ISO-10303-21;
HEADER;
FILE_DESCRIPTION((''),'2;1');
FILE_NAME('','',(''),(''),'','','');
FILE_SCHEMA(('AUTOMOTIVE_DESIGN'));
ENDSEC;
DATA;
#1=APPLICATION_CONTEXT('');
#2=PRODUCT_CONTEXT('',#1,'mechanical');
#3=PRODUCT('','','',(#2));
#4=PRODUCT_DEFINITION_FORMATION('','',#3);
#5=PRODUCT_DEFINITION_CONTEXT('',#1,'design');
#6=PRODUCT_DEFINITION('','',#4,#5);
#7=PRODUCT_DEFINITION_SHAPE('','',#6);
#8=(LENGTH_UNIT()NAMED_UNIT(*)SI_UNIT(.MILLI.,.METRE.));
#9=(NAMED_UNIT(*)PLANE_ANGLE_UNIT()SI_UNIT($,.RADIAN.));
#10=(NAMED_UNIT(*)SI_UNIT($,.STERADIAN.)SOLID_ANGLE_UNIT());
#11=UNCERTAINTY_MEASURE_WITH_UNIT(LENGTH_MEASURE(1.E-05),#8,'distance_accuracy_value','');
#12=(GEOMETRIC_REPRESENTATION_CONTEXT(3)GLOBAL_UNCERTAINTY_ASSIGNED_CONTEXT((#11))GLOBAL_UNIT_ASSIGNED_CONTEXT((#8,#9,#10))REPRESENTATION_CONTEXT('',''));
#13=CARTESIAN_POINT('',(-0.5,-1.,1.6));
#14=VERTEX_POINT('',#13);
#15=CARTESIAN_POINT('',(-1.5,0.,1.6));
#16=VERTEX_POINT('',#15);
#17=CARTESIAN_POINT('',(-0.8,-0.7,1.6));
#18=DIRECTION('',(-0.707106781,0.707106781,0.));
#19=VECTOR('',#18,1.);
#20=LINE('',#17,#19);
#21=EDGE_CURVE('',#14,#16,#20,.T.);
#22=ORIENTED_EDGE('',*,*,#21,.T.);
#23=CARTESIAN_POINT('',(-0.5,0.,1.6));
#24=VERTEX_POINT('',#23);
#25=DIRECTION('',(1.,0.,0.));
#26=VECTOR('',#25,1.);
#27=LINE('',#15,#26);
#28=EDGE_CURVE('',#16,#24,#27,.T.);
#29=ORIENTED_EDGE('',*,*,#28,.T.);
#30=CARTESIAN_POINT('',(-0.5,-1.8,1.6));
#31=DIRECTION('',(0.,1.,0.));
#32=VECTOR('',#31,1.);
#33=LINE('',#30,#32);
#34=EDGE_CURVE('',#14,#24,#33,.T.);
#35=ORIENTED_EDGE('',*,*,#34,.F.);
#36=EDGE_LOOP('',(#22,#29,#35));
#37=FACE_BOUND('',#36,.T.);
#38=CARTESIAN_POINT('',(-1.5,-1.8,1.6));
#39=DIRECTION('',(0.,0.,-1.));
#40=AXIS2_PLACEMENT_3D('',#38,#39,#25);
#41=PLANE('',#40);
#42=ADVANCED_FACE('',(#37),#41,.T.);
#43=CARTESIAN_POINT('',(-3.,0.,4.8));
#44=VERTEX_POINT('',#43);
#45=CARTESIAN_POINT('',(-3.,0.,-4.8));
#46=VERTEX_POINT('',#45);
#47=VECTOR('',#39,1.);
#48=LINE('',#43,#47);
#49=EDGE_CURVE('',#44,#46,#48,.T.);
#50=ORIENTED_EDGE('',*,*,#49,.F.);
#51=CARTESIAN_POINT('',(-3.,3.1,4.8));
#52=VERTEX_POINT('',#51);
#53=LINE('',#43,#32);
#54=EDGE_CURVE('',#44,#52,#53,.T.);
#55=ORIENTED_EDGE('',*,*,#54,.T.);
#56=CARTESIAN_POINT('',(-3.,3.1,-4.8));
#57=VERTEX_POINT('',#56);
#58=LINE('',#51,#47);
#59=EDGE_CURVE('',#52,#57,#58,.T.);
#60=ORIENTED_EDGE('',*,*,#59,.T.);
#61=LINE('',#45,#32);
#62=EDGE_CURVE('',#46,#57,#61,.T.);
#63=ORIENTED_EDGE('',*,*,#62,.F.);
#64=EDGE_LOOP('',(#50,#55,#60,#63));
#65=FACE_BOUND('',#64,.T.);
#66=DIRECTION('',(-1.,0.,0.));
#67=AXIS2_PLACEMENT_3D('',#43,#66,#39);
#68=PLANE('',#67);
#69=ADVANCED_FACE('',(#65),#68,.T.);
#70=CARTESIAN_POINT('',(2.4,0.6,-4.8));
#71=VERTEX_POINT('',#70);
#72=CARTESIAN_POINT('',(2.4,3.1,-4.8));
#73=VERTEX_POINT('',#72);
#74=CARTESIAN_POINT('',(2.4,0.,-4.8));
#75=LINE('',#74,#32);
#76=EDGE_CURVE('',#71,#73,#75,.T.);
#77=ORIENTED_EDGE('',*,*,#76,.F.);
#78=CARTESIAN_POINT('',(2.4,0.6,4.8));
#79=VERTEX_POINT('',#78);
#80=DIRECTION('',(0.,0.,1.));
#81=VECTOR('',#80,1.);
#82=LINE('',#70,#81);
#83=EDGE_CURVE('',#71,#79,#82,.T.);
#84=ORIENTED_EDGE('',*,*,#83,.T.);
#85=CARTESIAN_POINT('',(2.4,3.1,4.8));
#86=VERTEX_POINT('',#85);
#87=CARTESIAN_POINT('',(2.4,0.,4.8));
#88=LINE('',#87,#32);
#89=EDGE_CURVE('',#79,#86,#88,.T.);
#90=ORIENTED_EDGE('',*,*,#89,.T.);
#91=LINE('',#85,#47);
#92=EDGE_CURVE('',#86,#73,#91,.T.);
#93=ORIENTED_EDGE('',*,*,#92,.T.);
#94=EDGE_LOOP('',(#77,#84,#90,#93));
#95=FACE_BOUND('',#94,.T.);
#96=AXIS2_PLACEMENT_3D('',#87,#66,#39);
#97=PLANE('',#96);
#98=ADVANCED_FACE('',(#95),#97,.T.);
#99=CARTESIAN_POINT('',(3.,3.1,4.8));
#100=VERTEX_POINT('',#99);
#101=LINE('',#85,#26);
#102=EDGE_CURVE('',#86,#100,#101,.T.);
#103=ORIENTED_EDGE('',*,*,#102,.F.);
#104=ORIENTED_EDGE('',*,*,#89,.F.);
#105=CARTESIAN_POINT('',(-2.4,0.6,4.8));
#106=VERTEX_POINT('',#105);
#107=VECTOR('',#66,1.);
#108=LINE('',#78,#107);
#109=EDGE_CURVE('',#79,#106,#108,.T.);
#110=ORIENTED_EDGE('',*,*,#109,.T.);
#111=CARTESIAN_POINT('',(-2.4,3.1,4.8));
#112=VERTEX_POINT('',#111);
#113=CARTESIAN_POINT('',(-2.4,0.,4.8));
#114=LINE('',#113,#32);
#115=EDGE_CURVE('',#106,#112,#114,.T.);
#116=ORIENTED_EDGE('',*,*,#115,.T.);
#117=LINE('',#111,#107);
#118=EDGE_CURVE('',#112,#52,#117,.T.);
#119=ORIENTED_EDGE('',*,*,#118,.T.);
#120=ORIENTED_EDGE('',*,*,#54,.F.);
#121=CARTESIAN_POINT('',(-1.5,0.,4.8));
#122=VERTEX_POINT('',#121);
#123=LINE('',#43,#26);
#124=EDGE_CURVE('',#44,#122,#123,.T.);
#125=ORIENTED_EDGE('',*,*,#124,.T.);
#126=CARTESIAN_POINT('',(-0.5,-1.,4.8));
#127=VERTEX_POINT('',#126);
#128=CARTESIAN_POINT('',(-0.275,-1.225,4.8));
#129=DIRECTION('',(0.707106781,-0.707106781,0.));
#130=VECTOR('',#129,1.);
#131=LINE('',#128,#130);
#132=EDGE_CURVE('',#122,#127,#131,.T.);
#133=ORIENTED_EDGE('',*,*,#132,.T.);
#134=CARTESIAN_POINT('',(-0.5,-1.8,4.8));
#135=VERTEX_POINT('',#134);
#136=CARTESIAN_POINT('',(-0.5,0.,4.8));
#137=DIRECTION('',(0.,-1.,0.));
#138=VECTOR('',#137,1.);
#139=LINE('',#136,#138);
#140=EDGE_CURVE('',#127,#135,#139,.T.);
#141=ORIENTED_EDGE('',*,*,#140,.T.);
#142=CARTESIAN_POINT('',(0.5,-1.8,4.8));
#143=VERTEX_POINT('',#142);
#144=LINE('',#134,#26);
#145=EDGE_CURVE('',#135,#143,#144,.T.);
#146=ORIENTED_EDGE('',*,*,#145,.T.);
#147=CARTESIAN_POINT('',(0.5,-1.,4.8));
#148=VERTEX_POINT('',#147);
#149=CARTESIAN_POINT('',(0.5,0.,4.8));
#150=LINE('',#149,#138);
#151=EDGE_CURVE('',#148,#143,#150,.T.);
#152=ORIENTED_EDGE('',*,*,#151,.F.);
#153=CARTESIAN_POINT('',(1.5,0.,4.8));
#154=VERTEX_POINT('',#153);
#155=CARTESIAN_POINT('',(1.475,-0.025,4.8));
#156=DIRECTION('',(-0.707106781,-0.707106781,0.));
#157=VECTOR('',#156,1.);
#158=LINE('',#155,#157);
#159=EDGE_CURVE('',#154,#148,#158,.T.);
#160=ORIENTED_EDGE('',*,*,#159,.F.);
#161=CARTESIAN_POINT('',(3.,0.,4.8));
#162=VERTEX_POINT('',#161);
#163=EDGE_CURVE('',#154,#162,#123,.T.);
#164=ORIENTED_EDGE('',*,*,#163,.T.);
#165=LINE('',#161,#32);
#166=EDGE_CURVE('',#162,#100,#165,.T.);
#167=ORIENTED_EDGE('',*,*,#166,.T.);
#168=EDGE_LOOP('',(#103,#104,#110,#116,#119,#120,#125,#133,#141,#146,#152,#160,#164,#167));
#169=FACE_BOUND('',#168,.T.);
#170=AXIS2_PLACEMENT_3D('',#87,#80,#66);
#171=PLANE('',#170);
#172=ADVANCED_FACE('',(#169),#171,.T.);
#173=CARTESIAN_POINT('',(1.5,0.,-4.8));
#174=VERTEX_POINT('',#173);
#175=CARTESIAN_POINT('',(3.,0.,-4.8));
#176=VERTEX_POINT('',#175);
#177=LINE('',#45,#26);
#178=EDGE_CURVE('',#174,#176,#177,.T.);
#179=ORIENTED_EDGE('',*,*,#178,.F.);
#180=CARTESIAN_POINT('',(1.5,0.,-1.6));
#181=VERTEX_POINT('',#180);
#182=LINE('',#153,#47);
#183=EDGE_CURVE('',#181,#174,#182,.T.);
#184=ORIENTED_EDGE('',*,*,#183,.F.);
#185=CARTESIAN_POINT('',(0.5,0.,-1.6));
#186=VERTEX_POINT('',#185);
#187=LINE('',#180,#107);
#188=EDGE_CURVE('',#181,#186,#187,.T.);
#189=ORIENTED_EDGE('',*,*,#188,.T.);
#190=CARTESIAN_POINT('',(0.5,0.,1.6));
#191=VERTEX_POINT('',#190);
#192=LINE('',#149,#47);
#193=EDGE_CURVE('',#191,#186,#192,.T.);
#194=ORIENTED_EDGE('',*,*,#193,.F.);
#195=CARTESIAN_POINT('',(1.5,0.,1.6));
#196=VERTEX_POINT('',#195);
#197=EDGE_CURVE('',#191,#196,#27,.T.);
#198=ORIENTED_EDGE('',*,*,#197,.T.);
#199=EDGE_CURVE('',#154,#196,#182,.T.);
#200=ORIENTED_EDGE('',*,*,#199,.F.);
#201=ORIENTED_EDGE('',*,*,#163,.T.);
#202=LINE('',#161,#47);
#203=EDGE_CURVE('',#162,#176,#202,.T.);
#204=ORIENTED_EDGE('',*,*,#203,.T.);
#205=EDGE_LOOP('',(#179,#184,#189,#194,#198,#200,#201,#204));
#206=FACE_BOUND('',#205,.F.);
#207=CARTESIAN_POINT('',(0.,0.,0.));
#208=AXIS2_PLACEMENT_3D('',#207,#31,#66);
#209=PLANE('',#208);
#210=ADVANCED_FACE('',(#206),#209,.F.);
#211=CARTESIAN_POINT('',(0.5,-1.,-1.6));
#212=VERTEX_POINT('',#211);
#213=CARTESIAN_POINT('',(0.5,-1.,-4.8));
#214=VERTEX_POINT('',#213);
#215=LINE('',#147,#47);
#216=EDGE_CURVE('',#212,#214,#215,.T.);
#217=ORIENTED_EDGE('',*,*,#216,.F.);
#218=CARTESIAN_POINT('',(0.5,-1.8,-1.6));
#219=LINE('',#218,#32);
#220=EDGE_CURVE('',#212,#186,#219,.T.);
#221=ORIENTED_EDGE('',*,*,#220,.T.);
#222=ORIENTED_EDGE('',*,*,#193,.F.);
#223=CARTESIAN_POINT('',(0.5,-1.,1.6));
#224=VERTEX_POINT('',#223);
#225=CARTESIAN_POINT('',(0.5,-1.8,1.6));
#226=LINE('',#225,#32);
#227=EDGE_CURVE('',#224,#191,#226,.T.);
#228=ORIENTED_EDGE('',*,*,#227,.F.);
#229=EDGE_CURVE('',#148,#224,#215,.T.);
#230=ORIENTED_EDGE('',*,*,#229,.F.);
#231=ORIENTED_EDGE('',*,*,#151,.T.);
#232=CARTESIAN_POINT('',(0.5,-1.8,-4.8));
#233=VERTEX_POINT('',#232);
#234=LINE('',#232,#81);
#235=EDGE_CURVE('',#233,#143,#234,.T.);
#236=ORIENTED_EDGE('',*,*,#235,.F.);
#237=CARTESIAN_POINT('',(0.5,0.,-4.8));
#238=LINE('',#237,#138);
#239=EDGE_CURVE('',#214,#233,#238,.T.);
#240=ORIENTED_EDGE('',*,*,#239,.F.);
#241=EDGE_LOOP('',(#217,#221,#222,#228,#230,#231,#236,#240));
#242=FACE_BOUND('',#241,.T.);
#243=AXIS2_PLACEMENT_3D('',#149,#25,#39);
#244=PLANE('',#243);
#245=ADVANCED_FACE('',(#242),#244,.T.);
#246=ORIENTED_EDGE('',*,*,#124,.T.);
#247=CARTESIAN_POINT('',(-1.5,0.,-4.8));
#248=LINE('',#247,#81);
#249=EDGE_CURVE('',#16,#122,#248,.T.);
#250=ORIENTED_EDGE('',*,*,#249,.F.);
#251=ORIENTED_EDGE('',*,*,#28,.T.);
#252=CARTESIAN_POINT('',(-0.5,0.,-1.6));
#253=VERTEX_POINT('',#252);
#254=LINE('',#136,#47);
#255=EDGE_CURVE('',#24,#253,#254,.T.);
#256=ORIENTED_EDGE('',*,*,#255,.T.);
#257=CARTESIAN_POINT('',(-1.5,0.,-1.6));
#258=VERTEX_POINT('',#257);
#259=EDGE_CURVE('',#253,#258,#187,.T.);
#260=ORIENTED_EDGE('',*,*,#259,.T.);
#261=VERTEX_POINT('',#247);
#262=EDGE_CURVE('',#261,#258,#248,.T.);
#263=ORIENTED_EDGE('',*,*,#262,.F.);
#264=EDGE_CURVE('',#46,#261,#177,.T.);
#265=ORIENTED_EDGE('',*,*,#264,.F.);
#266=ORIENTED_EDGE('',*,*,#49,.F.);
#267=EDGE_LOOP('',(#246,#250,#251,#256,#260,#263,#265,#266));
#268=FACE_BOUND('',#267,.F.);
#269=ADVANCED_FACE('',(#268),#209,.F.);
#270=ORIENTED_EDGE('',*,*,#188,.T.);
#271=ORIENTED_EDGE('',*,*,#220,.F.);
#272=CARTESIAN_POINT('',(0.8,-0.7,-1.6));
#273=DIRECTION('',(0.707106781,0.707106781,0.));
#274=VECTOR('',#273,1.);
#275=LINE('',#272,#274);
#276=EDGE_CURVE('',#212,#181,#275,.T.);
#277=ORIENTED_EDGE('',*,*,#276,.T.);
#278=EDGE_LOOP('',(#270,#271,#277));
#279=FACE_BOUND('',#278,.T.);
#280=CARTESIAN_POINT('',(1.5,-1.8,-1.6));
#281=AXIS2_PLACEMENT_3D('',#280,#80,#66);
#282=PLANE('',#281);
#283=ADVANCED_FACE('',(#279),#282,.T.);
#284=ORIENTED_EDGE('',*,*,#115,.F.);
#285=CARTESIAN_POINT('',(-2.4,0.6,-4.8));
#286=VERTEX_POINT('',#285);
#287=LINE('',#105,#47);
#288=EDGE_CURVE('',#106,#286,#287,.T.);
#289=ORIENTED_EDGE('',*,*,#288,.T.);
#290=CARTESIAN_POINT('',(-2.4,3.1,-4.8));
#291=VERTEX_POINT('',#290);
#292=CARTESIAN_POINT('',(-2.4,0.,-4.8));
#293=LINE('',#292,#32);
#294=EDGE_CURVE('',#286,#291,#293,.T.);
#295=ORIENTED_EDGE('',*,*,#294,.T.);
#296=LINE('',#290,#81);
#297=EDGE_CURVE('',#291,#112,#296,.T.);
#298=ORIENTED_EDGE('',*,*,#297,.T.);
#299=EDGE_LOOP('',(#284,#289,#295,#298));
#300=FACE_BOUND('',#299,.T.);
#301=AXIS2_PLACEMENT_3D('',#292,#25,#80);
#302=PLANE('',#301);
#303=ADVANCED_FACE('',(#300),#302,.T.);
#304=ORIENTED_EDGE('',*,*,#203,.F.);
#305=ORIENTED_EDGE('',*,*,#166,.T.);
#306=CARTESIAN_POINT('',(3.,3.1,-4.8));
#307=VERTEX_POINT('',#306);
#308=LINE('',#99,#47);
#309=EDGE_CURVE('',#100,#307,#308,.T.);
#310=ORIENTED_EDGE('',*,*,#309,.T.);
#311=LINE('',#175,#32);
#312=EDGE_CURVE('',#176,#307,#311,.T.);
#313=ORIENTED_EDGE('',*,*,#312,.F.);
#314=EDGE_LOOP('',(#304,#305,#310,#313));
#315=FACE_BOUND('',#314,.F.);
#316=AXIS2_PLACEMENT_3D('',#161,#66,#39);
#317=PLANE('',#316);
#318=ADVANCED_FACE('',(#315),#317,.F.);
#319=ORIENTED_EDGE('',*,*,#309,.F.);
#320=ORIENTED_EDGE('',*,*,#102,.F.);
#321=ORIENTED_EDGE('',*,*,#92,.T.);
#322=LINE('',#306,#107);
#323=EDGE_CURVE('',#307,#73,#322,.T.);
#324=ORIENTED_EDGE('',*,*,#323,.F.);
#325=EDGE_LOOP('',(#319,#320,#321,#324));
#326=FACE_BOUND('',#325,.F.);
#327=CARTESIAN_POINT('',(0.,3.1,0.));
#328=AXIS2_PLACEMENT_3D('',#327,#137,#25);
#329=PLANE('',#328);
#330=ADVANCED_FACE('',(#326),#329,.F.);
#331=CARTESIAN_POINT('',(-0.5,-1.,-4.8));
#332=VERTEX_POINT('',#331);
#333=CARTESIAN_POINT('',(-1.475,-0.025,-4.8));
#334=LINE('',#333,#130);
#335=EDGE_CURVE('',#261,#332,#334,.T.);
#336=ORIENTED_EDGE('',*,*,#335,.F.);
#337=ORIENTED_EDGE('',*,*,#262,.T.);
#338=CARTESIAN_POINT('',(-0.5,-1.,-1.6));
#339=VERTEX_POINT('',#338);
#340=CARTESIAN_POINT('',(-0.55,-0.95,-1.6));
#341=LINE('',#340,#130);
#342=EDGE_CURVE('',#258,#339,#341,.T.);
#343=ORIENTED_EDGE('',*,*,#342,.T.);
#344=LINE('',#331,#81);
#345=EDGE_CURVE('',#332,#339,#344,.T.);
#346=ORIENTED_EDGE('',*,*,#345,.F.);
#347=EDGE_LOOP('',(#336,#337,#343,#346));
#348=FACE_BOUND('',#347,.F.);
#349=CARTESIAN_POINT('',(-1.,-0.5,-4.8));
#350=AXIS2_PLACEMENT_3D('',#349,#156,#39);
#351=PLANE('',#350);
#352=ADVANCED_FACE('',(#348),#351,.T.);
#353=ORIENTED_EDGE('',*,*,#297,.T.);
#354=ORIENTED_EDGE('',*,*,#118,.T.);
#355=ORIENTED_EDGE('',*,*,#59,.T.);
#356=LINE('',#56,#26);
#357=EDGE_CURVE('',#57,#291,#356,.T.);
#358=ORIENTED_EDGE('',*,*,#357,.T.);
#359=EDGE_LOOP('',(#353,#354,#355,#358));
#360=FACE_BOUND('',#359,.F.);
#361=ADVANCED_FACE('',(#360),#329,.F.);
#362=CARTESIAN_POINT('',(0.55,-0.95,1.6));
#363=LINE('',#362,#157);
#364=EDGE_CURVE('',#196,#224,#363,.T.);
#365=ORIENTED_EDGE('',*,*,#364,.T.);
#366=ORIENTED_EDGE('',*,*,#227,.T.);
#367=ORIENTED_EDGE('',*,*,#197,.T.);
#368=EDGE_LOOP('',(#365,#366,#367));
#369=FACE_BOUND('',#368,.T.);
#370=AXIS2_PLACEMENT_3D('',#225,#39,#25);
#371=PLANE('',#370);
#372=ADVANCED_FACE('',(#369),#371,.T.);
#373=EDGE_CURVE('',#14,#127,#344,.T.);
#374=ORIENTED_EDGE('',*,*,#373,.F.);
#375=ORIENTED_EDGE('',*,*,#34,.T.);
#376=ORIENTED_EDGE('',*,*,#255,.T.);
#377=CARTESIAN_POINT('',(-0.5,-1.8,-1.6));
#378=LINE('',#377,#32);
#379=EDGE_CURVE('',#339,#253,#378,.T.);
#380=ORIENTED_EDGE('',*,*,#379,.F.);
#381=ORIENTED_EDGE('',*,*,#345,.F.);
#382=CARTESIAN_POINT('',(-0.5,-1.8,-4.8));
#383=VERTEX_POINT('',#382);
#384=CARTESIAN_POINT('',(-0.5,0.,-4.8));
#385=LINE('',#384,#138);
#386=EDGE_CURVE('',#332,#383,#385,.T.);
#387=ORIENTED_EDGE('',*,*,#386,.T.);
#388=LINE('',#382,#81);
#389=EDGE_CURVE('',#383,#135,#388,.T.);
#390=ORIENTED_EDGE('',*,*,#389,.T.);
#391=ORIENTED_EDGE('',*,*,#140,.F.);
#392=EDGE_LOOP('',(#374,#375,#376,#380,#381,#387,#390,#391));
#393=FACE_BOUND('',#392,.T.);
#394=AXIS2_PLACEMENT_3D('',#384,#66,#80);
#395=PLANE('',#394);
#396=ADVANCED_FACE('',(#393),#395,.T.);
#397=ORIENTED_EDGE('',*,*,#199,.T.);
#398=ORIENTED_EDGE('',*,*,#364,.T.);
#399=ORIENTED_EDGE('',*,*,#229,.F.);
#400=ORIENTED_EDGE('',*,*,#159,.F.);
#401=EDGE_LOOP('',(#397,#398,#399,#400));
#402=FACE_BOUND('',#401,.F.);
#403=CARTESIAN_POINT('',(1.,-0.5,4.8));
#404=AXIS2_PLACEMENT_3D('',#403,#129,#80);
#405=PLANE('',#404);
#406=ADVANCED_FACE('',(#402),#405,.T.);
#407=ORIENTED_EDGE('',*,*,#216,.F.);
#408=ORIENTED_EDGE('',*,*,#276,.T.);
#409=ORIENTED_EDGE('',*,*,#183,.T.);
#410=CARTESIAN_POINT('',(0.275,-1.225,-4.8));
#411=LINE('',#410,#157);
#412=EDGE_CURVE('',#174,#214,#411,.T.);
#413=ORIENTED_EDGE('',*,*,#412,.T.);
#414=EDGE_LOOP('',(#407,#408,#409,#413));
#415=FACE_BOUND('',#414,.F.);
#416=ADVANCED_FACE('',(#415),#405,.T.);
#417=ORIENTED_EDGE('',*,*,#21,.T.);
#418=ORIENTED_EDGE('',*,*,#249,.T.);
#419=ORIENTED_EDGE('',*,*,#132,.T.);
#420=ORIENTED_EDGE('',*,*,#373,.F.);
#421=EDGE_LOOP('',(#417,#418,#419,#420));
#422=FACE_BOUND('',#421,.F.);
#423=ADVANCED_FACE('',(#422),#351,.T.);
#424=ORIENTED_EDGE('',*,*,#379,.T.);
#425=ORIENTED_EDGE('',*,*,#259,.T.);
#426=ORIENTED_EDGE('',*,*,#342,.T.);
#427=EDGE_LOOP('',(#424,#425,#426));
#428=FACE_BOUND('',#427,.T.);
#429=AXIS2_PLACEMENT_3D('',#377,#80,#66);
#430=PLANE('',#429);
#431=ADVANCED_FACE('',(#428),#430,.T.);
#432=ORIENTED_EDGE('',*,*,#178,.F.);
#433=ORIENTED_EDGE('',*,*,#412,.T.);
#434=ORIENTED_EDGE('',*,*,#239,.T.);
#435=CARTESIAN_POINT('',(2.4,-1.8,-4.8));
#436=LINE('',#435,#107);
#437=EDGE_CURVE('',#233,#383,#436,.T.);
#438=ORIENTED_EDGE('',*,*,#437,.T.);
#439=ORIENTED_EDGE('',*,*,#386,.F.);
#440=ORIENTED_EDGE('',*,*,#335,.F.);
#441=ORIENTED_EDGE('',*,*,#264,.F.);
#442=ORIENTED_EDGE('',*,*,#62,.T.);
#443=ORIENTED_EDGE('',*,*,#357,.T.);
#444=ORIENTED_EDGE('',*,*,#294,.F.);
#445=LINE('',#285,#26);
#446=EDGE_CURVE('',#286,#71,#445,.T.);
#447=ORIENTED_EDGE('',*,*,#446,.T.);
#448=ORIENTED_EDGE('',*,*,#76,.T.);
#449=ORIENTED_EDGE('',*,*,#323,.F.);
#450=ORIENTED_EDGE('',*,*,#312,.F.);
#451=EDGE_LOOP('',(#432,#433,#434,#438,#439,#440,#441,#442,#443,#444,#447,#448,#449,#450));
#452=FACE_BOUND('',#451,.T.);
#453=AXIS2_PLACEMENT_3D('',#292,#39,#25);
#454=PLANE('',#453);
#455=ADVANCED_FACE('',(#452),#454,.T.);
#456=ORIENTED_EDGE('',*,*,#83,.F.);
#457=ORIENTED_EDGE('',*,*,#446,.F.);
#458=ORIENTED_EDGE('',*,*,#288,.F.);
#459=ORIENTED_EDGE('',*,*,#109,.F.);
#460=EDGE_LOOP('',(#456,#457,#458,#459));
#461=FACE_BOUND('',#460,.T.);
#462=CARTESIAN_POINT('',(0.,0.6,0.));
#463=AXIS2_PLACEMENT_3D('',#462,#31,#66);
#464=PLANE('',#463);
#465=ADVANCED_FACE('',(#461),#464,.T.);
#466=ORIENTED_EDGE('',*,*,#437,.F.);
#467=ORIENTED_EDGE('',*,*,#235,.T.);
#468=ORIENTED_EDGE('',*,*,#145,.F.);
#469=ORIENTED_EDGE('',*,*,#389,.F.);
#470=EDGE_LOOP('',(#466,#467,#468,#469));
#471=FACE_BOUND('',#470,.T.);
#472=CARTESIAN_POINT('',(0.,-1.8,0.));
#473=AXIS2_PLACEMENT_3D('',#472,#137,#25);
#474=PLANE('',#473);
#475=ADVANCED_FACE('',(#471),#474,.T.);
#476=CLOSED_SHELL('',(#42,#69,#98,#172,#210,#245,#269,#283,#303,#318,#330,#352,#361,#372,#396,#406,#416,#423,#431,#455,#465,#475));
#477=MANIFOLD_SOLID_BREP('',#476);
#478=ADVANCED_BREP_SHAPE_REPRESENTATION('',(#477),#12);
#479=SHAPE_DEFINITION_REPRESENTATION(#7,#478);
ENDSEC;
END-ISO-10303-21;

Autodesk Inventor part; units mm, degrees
ref_plane "YZ Plane" through (0, 0, 0) normal (1, 0, 0) x (0, 1, 0)
ref_plane "XZ Plane" through (0, 0, 0) normal (0, 1, 0) x (-1, 0, 0)
ref_plane "XY Plane" through (0, 0, 0) normal (0, 0, 1) x (1, 0, 0)
sketch "스케치1" plane through (0, 0, 0) normal (0, 1, 0) x (-1, 0, 0)
  line L0 (-2.4, 4.8) -> (2.4, 4.8)
  line L1 (2.4, 4.8) -> (2.4, -4.8)
  line L2 (2.4, -4.8) -> (-2.4, -4.8)
  line L3 (-2.4, -4.8) -> (-2.4, 4.8)
  line L4 (-2.4, 4.8) -> (2.4, -4.8) construction
  line L5 (2.4, 4.8) -> (-2.4, -4.8) construction
  point P0 (0, 0)
  dimension "d0" = 4.8
  dimension "d1" = 9.6
extrude "돌출1" add sketch "스케치1" along normal blind 0.6
sketch "스케치2" plane through (0, 0, 0) normal (0, -1, 0) x (1, 0, 0)
  line L0 (2.4, -4.8) -> (-2.4, -4.8) projected
  line L1 (2.4, 4.8) -> (2.4, -4.8) projected
  line L2 (-2.4, 4.8) -> (2.4, 4.8) projected
  line L3 (-2.4, -4.8) -> (-2.4, 4.8) projected
  line L4 (2.4, 4.8) -> (3, 4.8)
  line L5 (3, 4.8) -> (3, -4.8)
  line L6 (3, -4.8) -> (2.4, -4.8)
  line L7 (2.4, -4.8) -> (2.4, 4.8)
  line L8 (-2.4, -4.8) -> (-2.4, 4.8) projected
  line L9 (-2.4, 4.8) -> (-3, 4.8)
  line L10 (-3, 4.8) -> (-3, -4.8)
  line L11 (-3, -4.8) -> (-2.4, -4.8)
  line L12 (-2.4, -4.8) -> (-2.4, 4.8)
  point P0 (0, 0)
  dimension "d4" = 0.6
  dimension "d5" = 0.6
extrude "돌출2" add sketch "스케치2" against normal blind 3.1 contours L1 L4 L5 L6 | L11 L10 L9 L3
sketch "스케치3" plane through (0, 0, 0) normal (0, -1, 0) x (1, 0, 0)
  line L0 (2.4, -4.8) -> (-2.4, -4.8) projected
  line L1 (-0.5, 4.8) -> (0.5, 4.8)
  line L2 (0.5, 4.8) -> (0.5, -4.8)
  line L3 (0.5, -4.8) -> (-0.5, -4.8)
  line L4 (-0.5, -4.8) -> (-0.5, 4.8)
  line L5 (-0.5, 4.8) -> (0.5, -4.8) construction
  line L6 (0.5, 4.8) -> (-0.5, -4.8) construction
  point P0 (0, 0)
  dimension "d8" = 1
extrude "돌출3" add sketch "스케치3" along normal blind 1.8
chamfer "모따기1" distance 1 angle 45 2 edges at (-0.5, 0, 0) (0.5, 0, 0)
sketch "스케치4" plane through (0, -1.8, 0) normal (0, -1, 0) x (1, 0, 0)
  line L0 (1.5, 4.8) -> (0.5, 4.8) projected
  line L1 (0.5, 4.8) -> (0.5, -4.8) projected
  line L2 (0.5, -4.8) -> (1.5, -4.8) projected
  line L3 (1.5, -4.8) -> (1.5, 4.8) projected
  line L4 (-0.5, 4.8) -> (-0.5, -4.8) projected
  line L5 (-0.5, -4.8) -> (0.5, -4.8) projected
  line L6 (0.5, -4.8) -> (0.5, 4.8) projected
  line L7 (0.5, 4.8) -> (-0.5, 4.8) projected
  line L8 (-1.5, -4.8) -> (-0.5, -4.8) projected
  line L9 (-0.5, -4.8) -> (-0.5, 4.8) projected
  line L10 (-0.5, 4.8) -> (-1.5, 4.8) projected
  line L11 (-1.5, 4.8) -> (-1.5, -4.8) projected
  line L12 (-1.5, 1.6) -> (1.5, 1.6)
  line L13 (1.5, 1.6) -> (1.5, -1.6)
  line L14 (1.5, -1.6) -> (-1.5, -1.6)
  line L15 (-1.5, -1.6) -> (-1.5, 1.6)
  line L16 (-1.5, 1.6) -> (1.5, -1.6) construction
  line L17 (1.5, 1.6) -> (-1.5, -1.6) construction
  point P0 (0, 0)
  point P1 (-0.5, -1.6)
  point P2 (-0.5, 1.6)
  point P3 (0.5, -1.6)
  point P4 (0.5, 1.6)
  dimension "d14" = 3.2
extrude "돌출4" cut sketch "스케치4" against normal up to surface (1.8 mm away) contours L3 L14 L1 L12 | L4 L14 L11 L12
properties part number "endcap_4mm_2ea_typeB_ver2_onyx_addon"
